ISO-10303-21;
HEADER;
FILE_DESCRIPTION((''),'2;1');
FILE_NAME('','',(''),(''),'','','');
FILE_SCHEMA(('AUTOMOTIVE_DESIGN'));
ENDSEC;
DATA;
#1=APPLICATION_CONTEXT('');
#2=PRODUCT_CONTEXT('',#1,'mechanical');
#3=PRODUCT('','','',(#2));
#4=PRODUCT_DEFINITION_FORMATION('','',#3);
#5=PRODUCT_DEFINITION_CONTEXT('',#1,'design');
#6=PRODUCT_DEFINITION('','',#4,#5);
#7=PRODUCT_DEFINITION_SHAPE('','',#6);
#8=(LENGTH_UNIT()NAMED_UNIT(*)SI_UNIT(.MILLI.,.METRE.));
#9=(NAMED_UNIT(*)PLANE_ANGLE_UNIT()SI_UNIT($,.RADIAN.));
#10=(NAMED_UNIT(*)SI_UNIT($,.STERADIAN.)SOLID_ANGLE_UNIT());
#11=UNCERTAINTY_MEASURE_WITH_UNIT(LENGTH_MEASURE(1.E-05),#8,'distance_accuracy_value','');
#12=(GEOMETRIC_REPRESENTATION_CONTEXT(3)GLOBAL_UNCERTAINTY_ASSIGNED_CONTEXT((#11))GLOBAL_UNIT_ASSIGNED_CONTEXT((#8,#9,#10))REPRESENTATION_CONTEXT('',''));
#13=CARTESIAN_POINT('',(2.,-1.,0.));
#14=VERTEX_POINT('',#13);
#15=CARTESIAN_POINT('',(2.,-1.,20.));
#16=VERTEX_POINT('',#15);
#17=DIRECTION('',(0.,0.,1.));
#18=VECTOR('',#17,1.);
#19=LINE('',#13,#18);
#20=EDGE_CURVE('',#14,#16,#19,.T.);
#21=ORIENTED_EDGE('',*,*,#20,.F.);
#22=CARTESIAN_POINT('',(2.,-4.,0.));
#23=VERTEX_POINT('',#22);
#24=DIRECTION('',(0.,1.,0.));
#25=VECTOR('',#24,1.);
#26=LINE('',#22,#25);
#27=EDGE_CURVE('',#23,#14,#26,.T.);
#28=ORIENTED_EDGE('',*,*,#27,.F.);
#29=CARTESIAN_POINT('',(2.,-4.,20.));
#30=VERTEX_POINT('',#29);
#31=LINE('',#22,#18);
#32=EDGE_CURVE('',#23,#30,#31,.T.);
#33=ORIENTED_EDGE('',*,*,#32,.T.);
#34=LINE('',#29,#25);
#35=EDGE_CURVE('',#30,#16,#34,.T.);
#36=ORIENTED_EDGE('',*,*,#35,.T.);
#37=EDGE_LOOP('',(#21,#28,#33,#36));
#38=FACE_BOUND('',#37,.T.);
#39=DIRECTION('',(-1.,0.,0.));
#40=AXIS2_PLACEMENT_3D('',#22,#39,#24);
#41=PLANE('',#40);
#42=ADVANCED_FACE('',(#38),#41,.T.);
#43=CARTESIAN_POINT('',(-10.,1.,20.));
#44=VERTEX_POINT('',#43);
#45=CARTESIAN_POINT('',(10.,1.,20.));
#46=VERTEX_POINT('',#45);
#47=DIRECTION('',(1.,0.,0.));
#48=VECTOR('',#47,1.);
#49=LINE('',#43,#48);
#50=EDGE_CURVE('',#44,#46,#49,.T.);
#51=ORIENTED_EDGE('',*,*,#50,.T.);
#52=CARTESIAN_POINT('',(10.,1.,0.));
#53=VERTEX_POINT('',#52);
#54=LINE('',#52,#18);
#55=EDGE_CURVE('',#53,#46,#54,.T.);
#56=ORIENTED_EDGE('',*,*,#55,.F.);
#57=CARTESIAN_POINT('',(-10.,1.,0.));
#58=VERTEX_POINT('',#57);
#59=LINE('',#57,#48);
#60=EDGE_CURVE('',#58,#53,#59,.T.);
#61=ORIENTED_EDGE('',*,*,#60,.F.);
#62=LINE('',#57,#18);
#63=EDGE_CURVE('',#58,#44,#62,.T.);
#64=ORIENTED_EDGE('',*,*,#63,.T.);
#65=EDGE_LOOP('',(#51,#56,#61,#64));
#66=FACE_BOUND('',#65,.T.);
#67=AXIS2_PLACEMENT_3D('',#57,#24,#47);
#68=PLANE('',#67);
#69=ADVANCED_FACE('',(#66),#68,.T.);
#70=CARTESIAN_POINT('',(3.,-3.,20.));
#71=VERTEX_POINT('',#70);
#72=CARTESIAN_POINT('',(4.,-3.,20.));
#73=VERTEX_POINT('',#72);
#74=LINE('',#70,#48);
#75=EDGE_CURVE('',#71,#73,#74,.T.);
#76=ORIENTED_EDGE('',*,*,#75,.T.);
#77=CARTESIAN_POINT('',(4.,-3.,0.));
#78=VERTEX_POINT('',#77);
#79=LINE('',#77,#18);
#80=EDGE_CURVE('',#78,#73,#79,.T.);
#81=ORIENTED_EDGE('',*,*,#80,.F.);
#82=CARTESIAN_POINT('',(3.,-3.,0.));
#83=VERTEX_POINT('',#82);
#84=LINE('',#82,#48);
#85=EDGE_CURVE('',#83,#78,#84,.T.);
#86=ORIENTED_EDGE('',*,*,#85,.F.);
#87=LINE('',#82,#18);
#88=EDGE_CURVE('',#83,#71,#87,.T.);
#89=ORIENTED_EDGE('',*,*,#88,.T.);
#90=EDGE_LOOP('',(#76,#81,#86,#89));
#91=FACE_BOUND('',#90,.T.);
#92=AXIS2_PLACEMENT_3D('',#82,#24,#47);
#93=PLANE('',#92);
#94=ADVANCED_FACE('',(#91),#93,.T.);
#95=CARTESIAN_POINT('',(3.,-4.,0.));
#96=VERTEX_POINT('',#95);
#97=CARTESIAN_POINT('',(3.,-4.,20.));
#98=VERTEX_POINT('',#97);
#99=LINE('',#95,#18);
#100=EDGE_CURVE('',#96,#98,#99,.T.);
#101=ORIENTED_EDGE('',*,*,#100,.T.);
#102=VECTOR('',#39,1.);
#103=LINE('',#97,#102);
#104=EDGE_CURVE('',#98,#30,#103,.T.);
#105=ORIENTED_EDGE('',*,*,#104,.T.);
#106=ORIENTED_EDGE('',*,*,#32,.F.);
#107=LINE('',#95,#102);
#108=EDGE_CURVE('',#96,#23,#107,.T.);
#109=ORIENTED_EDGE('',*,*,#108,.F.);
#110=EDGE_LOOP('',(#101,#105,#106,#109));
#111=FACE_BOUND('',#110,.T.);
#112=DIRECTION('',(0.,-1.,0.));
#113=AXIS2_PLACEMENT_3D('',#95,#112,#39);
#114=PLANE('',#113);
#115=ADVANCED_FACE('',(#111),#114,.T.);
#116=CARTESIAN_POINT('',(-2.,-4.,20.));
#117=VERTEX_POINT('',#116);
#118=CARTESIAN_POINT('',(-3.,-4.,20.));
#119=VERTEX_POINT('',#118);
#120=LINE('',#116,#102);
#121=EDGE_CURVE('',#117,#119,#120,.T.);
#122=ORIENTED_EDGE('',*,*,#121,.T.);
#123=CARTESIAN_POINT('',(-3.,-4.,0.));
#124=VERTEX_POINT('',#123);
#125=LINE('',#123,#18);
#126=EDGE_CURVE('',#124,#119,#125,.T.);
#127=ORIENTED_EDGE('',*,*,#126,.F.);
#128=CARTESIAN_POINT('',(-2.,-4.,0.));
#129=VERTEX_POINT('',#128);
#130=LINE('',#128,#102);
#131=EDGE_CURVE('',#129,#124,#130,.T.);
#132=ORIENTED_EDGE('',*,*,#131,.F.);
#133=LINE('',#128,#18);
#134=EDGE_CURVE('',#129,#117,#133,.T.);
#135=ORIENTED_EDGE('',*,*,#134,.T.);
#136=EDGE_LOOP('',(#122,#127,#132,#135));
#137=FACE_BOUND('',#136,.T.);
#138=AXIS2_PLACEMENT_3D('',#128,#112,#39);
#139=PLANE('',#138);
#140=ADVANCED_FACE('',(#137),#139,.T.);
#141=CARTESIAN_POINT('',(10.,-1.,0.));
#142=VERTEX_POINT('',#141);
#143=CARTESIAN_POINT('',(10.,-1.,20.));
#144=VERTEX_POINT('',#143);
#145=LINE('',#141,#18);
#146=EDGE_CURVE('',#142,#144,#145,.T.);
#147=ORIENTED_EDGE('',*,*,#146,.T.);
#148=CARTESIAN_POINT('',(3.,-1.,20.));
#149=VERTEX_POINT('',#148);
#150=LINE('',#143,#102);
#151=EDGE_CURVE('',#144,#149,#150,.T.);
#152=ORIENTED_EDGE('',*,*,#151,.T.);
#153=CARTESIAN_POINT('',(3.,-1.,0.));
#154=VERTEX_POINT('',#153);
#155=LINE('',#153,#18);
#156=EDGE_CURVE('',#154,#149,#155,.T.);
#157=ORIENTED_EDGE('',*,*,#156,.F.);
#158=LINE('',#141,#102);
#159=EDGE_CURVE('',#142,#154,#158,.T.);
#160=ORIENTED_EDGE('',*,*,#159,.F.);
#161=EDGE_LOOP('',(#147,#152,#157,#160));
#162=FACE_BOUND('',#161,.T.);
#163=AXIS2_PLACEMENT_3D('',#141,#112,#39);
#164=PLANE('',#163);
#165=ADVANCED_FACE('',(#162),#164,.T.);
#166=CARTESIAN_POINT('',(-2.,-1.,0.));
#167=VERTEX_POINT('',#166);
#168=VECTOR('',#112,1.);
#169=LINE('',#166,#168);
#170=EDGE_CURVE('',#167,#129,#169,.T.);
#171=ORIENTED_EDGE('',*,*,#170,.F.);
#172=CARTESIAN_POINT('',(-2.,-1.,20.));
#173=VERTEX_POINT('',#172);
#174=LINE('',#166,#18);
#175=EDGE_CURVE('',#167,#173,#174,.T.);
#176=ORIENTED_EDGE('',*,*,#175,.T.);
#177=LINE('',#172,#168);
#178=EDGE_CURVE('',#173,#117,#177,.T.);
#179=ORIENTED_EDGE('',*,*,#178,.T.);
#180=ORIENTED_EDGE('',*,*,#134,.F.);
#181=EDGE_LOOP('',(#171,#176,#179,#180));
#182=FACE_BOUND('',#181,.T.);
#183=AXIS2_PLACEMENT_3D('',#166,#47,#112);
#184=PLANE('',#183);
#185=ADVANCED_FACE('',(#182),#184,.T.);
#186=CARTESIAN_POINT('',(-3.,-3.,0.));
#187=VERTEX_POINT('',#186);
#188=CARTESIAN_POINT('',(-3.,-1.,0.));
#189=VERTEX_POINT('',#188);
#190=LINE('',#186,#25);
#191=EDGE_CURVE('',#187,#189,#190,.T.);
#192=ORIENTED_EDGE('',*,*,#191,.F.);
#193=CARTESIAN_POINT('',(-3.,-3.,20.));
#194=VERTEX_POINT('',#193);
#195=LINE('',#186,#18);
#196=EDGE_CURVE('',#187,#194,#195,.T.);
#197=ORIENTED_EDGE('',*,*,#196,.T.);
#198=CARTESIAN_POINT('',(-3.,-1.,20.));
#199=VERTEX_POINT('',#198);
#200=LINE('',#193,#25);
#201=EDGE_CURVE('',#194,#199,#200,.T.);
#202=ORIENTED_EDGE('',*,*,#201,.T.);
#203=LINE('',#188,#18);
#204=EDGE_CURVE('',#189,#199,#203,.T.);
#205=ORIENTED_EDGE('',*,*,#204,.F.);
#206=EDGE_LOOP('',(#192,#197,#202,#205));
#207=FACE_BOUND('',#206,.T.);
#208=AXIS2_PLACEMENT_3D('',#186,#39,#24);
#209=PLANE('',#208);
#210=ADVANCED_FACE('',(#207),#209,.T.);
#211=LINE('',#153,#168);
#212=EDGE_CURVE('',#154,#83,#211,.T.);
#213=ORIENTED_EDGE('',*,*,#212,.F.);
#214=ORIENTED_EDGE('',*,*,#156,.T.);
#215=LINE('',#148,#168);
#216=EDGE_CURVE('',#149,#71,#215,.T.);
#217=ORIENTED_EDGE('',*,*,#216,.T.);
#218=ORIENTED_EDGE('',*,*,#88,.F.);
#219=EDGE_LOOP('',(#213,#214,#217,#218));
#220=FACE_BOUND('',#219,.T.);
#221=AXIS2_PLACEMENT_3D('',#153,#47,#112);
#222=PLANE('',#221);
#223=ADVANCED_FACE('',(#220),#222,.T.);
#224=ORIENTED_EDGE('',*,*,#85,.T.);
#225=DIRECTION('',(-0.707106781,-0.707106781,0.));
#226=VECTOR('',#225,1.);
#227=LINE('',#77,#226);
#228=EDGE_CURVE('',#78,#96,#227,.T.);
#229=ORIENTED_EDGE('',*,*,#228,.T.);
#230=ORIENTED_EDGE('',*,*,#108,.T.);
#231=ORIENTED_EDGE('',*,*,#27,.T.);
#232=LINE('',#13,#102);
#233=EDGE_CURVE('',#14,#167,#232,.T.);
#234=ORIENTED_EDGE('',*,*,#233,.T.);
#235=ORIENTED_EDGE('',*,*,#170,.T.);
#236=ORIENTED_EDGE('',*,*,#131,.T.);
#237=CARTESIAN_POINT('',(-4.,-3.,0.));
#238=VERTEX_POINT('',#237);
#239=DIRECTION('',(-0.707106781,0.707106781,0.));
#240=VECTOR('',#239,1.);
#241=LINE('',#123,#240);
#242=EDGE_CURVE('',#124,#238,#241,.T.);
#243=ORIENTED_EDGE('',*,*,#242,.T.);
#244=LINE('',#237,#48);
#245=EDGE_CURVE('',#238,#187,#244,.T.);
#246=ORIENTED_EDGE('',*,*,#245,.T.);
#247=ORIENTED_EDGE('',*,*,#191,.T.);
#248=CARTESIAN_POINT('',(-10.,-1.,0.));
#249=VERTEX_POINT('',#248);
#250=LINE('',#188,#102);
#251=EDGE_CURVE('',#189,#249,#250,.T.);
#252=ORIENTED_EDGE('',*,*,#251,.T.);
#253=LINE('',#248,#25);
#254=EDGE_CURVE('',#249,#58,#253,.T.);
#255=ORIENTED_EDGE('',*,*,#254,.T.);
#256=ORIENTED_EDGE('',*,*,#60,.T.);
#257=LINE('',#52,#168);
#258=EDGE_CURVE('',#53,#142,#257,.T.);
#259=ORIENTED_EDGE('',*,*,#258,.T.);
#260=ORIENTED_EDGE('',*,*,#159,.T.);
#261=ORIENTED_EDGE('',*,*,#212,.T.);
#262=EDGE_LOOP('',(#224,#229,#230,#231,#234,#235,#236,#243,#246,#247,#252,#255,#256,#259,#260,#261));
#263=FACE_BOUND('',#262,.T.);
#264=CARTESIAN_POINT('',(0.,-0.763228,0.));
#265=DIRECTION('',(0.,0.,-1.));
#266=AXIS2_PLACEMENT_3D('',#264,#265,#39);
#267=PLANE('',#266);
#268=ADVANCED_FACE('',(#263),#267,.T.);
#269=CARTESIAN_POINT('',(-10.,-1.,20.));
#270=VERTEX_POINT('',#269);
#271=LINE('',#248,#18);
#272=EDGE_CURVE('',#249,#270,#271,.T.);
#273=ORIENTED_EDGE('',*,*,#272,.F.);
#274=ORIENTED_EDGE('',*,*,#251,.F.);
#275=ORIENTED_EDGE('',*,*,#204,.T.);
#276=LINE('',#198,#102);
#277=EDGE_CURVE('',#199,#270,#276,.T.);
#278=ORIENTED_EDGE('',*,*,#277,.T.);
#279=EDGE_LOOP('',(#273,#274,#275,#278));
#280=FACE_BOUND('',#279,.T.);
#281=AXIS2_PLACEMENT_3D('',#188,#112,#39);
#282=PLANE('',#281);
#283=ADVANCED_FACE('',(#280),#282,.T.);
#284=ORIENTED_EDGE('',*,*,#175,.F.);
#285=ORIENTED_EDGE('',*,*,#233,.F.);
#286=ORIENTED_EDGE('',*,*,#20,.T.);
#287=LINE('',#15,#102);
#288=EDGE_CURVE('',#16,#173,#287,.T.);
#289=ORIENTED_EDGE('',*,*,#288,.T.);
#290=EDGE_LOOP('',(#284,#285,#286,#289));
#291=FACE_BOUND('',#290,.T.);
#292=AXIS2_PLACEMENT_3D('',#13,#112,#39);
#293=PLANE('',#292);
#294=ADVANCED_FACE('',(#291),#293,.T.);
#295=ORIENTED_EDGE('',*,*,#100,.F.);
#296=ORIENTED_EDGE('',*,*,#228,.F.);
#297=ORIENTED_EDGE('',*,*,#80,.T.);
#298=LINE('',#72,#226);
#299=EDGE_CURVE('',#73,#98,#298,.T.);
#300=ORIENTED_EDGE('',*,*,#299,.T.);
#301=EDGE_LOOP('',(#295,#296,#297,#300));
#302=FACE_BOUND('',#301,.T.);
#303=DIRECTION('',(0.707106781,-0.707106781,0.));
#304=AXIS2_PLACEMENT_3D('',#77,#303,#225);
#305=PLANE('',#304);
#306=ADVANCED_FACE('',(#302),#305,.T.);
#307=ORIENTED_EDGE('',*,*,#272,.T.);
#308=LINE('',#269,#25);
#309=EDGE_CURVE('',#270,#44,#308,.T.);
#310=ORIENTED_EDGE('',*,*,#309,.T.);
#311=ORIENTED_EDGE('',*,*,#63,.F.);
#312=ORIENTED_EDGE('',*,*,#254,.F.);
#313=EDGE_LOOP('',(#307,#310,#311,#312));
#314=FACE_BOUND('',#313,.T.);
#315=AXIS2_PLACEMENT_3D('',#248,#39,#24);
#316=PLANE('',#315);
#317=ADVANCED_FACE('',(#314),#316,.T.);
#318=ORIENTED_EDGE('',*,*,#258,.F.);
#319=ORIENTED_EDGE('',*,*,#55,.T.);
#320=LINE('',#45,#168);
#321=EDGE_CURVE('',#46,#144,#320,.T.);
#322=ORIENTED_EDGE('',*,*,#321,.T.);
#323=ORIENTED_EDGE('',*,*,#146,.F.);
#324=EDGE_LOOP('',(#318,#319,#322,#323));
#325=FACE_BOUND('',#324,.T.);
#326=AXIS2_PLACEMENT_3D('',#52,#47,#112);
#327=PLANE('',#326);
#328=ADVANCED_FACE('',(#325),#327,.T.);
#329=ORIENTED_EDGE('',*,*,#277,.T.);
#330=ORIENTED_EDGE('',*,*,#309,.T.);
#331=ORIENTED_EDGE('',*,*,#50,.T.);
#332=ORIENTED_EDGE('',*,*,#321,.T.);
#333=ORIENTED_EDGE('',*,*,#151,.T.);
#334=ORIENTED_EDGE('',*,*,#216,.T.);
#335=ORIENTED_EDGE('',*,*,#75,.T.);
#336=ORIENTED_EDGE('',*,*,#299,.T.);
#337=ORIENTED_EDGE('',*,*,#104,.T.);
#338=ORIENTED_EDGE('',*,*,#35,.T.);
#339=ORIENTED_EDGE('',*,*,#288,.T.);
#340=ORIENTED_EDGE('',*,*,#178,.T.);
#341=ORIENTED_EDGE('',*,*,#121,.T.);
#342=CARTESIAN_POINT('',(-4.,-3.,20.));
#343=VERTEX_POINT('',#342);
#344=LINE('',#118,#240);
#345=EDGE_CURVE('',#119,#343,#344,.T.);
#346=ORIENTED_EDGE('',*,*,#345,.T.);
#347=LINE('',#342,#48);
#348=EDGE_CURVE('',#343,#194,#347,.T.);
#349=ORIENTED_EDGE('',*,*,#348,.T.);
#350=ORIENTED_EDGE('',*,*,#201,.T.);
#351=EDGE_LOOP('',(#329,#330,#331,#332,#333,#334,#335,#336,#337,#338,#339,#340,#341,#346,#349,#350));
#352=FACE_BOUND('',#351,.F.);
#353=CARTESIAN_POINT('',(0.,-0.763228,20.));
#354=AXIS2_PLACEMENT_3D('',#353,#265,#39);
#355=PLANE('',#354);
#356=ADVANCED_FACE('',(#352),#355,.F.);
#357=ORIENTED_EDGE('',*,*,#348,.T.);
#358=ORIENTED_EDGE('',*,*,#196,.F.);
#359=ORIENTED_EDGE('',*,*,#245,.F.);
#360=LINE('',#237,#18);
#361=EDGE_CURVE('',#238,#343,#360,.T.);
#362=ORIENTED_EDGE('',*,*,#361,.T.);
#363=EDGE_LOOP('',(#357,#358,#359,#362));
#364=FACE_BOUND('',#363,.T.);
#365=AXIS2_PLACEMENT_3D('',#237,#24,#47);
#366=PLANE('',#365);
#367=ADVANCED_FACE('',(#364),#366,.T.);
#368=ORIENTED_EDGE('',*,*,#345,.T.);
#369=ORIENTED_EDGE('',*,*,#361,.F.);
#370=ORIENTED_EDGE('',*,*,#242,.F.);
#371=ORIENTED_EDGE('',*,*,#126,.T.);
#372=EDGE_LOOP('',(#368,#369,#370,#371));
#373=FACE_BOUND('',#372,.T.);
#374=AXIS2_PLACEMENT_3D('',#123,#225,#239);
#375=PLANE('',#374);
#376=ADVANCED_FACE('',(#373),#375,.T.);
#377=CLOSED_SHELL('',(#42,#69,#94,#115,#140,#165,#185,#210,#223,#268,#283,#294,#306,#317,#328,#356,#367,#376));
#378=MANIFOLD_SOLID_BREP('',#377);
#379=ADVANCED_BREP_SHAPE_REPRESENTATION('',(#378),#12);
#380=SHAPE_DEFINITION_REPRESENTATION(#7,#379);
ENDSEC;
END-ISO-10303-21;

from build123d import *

# Parameters (mm, degrees)
PAD_DEPTH = 20


with BuildPart() as part:
    # Sketch → Pad (new body)
    with BuildSketch(Plane.XY):
        Polygon((-10, 1), (10, 1), (10, -1), (3, -1), (3, -3), (4, -3), (3, -4), (2, -4), (2, -1), (-2, -1), (-2, -4), (-3, -4), (-4, -3), (-3, -3), (-3, -1), (-10, -1), align=None)
    extrude(amount=PAD_DEPTH)


solid = part.part
